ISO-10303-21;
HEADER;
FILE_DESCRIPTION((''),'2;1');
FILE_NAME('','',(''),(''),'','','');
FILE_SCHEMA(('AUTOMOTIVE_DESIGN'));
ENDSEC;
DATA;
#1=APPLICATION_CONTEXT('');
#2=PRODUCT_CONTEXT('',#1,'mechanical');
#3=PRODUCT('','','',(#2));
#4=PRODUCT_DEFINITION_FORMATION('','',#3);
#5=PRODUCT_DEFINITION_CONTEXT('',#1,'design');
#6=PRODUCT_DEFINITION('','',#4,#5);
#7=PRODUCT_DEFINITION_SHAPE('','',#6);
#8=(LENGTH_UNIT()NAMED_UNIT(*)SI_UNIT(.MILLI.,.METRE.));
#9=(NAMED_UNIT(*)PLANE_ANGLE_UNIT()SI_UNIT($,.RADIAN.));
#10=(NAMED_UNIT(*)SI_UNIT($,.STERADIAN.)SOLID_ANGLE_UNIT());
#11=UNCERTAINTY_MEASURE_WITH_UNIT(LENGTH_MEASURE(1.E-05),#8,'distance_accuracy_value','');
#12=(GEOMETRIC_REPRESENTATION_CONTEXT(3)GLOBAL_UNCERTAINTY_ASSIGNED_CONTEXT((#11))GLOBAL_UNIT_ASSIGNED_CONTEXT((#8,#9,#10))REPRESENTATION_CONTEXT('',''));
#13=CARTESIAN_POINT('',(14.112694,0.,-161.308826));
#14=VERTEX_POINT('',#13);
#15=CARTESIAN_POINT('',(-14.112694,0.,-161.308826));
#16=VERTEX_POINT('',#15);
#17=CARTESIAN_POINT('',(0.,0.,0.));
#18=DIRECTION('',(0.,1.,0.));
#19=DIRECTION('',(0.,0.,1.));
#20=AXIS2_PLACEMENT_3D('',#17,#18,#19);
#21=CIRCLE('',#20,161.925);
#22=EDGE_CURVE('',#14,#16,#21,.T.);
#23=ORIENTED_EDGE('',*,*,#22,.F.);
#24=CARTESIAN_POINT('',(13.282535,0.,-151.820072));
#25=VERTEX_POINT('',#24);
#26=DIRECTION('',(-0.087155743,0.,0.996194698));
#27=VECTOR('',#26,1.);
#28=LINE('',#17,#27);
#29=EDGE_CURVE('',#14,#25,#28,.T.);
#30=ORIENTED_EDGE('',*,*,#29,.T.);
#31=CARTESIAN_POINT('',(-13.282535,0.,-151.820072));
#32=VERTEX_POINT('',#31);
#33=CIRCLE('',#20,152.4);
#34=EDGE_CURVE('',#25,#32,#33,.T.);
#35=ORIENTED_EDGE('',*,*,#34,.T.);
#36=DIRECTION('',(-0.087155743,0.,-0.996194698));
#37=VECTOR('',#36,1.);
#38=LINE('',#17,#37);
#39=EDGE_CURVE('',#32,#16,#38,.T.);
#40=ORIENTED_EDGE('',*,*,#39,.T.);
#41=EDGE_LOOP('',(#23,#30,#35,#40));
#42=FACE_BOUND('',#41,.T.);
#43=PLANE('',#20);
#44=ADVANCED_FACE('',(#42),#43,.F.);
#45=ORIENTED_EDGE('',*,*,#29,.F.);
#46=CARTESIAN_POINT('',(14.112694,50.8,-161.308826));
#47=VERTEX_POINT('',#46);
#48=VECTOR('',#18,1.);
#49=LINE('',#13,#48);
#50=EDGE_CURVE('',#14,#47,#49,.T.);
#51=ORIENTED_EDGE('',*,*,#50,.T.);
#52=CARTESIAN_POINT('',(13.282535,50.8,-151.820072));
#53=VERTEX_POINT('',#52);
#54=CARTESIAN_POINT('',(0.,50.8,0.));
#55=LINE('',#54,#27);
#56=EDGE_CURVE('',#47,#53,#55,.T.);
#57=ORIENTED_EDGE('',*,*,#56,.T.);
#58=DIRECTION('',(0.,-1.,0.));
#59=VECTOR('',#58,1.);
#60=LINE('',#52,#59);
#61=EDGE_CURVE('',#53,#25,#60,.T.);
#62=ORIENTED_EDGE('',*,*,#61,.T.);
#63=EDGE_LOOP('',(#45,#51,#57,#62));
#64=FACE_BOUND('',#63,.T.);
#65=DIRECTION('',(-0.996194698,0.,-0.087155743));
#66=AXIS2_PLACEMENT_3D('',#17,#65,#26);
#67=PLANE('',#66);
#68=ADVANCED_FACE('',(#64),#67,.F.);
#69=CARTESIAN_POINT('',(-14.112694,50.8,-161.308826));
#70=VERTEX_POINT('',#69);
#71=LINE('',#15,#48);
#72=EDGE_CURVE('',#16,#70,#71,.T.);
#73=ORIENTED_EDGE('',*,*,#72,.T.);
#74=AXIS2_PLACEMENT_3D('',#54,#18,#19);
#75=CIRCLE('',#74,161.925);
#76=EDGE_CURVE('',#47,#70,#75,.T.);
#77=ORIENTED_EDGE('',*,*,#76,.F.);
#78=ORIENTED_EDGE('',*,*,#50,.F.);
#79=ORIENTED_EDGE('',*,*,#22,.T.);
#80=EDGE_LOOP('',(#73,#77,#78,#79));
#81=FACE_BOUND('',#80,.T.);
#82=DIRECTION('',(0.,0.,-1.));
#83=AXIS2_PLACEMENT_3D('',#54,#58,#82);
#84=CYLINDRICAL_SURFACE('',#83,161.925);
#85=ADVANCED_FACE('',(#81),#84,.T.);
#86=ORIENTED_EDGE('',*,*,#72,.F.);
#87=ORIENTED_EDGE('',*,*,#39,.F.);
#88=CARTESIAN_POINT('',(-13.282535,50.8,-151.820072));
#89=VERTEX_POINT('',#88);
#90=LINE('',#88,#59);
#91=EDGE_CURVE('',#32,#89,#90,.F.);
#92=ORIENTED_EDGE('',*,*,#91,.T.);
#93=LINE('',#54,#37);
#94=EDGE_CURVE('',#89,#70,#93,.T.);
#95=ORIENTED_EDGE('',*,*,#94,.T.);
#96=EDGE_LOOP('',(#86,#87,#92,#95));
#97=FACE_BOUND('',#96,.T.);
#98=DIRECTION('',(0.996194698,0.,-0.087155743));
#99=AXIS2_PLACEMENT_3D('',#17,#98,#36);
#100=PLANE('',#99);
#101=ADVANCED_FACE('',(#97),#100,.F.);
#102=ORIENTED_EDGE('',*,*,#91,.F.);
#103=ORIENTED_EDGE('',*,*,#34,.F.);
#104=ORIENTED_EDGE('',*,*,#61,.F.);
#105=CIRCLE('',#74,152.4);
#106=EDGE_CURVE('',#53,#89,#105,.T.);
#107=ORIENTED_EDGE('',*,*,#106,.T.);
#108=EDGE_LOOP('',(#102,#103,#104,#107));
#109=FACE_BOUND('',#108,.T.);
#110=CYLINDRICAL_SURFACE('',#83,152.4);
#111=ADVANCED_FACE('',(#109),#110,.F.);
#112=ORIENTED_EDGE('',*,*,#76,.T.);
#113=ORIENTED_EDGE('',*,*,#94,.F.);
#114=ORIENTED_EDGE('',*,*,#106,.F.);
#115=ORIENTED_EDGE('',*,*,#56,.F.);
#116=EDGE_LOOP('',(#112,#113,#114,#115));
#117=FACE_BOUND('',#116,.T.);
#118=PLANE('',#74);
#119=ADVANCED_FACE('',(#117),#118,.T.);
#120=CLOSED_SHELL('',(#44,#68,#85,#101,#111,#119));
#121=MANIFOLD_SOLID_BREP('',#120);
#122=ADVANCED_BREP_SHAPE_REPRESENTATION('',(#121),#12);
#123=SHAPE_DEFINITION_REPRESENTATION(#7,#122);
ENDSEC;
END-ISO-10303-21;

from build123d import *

# Parameters (mm, degrees)
SKETCH11_R                    = 161.925
SKETCH11_R_2                  = 152.4
PIPE_STANDARD_S40_P12_1_DEPTH = 50.8
CUT_EXTRUDE1_DEPTH            = 235.563533504


with BuildPart() as part:
    # Sketch11 → Pipe (standard, s40) P12(1) (new body)
    with BuildSketch(Plane(origin=(0, 0, 0), x_dir=(-1, 0, 0), z_dir=(0, 1, 0))):
        Circle(SKETCH11_R)
        Circle(SKETCH11_R_2, mode=Mode.SUBTRACT)
    extrude(amount=PIPE_STANDARD_S40_P12_1_DEPTH)

    # Sketch12 → Cut-Extrude1 (cut, through all)
    with BuildSketch(Plane(origin=(0, 50.8, 0), x_dir=(1, 0, 0), z_dir=(0, 1, 0))):
        with BuildLine():
            Line((0, 0), (-14.112693644, 161.308826489))
            ThreePointArc((-14.112693644, 161.308826489), (0, -161.925), (14.112693644, 161.308826489))
            Line((14.112693644, 161.308826489), (0, 0))
        make_face()
    extrude(amount=-CUT_EXTRUDE1_DEPTH, mode=Mode.SUBTRACT)


solid = part.part
